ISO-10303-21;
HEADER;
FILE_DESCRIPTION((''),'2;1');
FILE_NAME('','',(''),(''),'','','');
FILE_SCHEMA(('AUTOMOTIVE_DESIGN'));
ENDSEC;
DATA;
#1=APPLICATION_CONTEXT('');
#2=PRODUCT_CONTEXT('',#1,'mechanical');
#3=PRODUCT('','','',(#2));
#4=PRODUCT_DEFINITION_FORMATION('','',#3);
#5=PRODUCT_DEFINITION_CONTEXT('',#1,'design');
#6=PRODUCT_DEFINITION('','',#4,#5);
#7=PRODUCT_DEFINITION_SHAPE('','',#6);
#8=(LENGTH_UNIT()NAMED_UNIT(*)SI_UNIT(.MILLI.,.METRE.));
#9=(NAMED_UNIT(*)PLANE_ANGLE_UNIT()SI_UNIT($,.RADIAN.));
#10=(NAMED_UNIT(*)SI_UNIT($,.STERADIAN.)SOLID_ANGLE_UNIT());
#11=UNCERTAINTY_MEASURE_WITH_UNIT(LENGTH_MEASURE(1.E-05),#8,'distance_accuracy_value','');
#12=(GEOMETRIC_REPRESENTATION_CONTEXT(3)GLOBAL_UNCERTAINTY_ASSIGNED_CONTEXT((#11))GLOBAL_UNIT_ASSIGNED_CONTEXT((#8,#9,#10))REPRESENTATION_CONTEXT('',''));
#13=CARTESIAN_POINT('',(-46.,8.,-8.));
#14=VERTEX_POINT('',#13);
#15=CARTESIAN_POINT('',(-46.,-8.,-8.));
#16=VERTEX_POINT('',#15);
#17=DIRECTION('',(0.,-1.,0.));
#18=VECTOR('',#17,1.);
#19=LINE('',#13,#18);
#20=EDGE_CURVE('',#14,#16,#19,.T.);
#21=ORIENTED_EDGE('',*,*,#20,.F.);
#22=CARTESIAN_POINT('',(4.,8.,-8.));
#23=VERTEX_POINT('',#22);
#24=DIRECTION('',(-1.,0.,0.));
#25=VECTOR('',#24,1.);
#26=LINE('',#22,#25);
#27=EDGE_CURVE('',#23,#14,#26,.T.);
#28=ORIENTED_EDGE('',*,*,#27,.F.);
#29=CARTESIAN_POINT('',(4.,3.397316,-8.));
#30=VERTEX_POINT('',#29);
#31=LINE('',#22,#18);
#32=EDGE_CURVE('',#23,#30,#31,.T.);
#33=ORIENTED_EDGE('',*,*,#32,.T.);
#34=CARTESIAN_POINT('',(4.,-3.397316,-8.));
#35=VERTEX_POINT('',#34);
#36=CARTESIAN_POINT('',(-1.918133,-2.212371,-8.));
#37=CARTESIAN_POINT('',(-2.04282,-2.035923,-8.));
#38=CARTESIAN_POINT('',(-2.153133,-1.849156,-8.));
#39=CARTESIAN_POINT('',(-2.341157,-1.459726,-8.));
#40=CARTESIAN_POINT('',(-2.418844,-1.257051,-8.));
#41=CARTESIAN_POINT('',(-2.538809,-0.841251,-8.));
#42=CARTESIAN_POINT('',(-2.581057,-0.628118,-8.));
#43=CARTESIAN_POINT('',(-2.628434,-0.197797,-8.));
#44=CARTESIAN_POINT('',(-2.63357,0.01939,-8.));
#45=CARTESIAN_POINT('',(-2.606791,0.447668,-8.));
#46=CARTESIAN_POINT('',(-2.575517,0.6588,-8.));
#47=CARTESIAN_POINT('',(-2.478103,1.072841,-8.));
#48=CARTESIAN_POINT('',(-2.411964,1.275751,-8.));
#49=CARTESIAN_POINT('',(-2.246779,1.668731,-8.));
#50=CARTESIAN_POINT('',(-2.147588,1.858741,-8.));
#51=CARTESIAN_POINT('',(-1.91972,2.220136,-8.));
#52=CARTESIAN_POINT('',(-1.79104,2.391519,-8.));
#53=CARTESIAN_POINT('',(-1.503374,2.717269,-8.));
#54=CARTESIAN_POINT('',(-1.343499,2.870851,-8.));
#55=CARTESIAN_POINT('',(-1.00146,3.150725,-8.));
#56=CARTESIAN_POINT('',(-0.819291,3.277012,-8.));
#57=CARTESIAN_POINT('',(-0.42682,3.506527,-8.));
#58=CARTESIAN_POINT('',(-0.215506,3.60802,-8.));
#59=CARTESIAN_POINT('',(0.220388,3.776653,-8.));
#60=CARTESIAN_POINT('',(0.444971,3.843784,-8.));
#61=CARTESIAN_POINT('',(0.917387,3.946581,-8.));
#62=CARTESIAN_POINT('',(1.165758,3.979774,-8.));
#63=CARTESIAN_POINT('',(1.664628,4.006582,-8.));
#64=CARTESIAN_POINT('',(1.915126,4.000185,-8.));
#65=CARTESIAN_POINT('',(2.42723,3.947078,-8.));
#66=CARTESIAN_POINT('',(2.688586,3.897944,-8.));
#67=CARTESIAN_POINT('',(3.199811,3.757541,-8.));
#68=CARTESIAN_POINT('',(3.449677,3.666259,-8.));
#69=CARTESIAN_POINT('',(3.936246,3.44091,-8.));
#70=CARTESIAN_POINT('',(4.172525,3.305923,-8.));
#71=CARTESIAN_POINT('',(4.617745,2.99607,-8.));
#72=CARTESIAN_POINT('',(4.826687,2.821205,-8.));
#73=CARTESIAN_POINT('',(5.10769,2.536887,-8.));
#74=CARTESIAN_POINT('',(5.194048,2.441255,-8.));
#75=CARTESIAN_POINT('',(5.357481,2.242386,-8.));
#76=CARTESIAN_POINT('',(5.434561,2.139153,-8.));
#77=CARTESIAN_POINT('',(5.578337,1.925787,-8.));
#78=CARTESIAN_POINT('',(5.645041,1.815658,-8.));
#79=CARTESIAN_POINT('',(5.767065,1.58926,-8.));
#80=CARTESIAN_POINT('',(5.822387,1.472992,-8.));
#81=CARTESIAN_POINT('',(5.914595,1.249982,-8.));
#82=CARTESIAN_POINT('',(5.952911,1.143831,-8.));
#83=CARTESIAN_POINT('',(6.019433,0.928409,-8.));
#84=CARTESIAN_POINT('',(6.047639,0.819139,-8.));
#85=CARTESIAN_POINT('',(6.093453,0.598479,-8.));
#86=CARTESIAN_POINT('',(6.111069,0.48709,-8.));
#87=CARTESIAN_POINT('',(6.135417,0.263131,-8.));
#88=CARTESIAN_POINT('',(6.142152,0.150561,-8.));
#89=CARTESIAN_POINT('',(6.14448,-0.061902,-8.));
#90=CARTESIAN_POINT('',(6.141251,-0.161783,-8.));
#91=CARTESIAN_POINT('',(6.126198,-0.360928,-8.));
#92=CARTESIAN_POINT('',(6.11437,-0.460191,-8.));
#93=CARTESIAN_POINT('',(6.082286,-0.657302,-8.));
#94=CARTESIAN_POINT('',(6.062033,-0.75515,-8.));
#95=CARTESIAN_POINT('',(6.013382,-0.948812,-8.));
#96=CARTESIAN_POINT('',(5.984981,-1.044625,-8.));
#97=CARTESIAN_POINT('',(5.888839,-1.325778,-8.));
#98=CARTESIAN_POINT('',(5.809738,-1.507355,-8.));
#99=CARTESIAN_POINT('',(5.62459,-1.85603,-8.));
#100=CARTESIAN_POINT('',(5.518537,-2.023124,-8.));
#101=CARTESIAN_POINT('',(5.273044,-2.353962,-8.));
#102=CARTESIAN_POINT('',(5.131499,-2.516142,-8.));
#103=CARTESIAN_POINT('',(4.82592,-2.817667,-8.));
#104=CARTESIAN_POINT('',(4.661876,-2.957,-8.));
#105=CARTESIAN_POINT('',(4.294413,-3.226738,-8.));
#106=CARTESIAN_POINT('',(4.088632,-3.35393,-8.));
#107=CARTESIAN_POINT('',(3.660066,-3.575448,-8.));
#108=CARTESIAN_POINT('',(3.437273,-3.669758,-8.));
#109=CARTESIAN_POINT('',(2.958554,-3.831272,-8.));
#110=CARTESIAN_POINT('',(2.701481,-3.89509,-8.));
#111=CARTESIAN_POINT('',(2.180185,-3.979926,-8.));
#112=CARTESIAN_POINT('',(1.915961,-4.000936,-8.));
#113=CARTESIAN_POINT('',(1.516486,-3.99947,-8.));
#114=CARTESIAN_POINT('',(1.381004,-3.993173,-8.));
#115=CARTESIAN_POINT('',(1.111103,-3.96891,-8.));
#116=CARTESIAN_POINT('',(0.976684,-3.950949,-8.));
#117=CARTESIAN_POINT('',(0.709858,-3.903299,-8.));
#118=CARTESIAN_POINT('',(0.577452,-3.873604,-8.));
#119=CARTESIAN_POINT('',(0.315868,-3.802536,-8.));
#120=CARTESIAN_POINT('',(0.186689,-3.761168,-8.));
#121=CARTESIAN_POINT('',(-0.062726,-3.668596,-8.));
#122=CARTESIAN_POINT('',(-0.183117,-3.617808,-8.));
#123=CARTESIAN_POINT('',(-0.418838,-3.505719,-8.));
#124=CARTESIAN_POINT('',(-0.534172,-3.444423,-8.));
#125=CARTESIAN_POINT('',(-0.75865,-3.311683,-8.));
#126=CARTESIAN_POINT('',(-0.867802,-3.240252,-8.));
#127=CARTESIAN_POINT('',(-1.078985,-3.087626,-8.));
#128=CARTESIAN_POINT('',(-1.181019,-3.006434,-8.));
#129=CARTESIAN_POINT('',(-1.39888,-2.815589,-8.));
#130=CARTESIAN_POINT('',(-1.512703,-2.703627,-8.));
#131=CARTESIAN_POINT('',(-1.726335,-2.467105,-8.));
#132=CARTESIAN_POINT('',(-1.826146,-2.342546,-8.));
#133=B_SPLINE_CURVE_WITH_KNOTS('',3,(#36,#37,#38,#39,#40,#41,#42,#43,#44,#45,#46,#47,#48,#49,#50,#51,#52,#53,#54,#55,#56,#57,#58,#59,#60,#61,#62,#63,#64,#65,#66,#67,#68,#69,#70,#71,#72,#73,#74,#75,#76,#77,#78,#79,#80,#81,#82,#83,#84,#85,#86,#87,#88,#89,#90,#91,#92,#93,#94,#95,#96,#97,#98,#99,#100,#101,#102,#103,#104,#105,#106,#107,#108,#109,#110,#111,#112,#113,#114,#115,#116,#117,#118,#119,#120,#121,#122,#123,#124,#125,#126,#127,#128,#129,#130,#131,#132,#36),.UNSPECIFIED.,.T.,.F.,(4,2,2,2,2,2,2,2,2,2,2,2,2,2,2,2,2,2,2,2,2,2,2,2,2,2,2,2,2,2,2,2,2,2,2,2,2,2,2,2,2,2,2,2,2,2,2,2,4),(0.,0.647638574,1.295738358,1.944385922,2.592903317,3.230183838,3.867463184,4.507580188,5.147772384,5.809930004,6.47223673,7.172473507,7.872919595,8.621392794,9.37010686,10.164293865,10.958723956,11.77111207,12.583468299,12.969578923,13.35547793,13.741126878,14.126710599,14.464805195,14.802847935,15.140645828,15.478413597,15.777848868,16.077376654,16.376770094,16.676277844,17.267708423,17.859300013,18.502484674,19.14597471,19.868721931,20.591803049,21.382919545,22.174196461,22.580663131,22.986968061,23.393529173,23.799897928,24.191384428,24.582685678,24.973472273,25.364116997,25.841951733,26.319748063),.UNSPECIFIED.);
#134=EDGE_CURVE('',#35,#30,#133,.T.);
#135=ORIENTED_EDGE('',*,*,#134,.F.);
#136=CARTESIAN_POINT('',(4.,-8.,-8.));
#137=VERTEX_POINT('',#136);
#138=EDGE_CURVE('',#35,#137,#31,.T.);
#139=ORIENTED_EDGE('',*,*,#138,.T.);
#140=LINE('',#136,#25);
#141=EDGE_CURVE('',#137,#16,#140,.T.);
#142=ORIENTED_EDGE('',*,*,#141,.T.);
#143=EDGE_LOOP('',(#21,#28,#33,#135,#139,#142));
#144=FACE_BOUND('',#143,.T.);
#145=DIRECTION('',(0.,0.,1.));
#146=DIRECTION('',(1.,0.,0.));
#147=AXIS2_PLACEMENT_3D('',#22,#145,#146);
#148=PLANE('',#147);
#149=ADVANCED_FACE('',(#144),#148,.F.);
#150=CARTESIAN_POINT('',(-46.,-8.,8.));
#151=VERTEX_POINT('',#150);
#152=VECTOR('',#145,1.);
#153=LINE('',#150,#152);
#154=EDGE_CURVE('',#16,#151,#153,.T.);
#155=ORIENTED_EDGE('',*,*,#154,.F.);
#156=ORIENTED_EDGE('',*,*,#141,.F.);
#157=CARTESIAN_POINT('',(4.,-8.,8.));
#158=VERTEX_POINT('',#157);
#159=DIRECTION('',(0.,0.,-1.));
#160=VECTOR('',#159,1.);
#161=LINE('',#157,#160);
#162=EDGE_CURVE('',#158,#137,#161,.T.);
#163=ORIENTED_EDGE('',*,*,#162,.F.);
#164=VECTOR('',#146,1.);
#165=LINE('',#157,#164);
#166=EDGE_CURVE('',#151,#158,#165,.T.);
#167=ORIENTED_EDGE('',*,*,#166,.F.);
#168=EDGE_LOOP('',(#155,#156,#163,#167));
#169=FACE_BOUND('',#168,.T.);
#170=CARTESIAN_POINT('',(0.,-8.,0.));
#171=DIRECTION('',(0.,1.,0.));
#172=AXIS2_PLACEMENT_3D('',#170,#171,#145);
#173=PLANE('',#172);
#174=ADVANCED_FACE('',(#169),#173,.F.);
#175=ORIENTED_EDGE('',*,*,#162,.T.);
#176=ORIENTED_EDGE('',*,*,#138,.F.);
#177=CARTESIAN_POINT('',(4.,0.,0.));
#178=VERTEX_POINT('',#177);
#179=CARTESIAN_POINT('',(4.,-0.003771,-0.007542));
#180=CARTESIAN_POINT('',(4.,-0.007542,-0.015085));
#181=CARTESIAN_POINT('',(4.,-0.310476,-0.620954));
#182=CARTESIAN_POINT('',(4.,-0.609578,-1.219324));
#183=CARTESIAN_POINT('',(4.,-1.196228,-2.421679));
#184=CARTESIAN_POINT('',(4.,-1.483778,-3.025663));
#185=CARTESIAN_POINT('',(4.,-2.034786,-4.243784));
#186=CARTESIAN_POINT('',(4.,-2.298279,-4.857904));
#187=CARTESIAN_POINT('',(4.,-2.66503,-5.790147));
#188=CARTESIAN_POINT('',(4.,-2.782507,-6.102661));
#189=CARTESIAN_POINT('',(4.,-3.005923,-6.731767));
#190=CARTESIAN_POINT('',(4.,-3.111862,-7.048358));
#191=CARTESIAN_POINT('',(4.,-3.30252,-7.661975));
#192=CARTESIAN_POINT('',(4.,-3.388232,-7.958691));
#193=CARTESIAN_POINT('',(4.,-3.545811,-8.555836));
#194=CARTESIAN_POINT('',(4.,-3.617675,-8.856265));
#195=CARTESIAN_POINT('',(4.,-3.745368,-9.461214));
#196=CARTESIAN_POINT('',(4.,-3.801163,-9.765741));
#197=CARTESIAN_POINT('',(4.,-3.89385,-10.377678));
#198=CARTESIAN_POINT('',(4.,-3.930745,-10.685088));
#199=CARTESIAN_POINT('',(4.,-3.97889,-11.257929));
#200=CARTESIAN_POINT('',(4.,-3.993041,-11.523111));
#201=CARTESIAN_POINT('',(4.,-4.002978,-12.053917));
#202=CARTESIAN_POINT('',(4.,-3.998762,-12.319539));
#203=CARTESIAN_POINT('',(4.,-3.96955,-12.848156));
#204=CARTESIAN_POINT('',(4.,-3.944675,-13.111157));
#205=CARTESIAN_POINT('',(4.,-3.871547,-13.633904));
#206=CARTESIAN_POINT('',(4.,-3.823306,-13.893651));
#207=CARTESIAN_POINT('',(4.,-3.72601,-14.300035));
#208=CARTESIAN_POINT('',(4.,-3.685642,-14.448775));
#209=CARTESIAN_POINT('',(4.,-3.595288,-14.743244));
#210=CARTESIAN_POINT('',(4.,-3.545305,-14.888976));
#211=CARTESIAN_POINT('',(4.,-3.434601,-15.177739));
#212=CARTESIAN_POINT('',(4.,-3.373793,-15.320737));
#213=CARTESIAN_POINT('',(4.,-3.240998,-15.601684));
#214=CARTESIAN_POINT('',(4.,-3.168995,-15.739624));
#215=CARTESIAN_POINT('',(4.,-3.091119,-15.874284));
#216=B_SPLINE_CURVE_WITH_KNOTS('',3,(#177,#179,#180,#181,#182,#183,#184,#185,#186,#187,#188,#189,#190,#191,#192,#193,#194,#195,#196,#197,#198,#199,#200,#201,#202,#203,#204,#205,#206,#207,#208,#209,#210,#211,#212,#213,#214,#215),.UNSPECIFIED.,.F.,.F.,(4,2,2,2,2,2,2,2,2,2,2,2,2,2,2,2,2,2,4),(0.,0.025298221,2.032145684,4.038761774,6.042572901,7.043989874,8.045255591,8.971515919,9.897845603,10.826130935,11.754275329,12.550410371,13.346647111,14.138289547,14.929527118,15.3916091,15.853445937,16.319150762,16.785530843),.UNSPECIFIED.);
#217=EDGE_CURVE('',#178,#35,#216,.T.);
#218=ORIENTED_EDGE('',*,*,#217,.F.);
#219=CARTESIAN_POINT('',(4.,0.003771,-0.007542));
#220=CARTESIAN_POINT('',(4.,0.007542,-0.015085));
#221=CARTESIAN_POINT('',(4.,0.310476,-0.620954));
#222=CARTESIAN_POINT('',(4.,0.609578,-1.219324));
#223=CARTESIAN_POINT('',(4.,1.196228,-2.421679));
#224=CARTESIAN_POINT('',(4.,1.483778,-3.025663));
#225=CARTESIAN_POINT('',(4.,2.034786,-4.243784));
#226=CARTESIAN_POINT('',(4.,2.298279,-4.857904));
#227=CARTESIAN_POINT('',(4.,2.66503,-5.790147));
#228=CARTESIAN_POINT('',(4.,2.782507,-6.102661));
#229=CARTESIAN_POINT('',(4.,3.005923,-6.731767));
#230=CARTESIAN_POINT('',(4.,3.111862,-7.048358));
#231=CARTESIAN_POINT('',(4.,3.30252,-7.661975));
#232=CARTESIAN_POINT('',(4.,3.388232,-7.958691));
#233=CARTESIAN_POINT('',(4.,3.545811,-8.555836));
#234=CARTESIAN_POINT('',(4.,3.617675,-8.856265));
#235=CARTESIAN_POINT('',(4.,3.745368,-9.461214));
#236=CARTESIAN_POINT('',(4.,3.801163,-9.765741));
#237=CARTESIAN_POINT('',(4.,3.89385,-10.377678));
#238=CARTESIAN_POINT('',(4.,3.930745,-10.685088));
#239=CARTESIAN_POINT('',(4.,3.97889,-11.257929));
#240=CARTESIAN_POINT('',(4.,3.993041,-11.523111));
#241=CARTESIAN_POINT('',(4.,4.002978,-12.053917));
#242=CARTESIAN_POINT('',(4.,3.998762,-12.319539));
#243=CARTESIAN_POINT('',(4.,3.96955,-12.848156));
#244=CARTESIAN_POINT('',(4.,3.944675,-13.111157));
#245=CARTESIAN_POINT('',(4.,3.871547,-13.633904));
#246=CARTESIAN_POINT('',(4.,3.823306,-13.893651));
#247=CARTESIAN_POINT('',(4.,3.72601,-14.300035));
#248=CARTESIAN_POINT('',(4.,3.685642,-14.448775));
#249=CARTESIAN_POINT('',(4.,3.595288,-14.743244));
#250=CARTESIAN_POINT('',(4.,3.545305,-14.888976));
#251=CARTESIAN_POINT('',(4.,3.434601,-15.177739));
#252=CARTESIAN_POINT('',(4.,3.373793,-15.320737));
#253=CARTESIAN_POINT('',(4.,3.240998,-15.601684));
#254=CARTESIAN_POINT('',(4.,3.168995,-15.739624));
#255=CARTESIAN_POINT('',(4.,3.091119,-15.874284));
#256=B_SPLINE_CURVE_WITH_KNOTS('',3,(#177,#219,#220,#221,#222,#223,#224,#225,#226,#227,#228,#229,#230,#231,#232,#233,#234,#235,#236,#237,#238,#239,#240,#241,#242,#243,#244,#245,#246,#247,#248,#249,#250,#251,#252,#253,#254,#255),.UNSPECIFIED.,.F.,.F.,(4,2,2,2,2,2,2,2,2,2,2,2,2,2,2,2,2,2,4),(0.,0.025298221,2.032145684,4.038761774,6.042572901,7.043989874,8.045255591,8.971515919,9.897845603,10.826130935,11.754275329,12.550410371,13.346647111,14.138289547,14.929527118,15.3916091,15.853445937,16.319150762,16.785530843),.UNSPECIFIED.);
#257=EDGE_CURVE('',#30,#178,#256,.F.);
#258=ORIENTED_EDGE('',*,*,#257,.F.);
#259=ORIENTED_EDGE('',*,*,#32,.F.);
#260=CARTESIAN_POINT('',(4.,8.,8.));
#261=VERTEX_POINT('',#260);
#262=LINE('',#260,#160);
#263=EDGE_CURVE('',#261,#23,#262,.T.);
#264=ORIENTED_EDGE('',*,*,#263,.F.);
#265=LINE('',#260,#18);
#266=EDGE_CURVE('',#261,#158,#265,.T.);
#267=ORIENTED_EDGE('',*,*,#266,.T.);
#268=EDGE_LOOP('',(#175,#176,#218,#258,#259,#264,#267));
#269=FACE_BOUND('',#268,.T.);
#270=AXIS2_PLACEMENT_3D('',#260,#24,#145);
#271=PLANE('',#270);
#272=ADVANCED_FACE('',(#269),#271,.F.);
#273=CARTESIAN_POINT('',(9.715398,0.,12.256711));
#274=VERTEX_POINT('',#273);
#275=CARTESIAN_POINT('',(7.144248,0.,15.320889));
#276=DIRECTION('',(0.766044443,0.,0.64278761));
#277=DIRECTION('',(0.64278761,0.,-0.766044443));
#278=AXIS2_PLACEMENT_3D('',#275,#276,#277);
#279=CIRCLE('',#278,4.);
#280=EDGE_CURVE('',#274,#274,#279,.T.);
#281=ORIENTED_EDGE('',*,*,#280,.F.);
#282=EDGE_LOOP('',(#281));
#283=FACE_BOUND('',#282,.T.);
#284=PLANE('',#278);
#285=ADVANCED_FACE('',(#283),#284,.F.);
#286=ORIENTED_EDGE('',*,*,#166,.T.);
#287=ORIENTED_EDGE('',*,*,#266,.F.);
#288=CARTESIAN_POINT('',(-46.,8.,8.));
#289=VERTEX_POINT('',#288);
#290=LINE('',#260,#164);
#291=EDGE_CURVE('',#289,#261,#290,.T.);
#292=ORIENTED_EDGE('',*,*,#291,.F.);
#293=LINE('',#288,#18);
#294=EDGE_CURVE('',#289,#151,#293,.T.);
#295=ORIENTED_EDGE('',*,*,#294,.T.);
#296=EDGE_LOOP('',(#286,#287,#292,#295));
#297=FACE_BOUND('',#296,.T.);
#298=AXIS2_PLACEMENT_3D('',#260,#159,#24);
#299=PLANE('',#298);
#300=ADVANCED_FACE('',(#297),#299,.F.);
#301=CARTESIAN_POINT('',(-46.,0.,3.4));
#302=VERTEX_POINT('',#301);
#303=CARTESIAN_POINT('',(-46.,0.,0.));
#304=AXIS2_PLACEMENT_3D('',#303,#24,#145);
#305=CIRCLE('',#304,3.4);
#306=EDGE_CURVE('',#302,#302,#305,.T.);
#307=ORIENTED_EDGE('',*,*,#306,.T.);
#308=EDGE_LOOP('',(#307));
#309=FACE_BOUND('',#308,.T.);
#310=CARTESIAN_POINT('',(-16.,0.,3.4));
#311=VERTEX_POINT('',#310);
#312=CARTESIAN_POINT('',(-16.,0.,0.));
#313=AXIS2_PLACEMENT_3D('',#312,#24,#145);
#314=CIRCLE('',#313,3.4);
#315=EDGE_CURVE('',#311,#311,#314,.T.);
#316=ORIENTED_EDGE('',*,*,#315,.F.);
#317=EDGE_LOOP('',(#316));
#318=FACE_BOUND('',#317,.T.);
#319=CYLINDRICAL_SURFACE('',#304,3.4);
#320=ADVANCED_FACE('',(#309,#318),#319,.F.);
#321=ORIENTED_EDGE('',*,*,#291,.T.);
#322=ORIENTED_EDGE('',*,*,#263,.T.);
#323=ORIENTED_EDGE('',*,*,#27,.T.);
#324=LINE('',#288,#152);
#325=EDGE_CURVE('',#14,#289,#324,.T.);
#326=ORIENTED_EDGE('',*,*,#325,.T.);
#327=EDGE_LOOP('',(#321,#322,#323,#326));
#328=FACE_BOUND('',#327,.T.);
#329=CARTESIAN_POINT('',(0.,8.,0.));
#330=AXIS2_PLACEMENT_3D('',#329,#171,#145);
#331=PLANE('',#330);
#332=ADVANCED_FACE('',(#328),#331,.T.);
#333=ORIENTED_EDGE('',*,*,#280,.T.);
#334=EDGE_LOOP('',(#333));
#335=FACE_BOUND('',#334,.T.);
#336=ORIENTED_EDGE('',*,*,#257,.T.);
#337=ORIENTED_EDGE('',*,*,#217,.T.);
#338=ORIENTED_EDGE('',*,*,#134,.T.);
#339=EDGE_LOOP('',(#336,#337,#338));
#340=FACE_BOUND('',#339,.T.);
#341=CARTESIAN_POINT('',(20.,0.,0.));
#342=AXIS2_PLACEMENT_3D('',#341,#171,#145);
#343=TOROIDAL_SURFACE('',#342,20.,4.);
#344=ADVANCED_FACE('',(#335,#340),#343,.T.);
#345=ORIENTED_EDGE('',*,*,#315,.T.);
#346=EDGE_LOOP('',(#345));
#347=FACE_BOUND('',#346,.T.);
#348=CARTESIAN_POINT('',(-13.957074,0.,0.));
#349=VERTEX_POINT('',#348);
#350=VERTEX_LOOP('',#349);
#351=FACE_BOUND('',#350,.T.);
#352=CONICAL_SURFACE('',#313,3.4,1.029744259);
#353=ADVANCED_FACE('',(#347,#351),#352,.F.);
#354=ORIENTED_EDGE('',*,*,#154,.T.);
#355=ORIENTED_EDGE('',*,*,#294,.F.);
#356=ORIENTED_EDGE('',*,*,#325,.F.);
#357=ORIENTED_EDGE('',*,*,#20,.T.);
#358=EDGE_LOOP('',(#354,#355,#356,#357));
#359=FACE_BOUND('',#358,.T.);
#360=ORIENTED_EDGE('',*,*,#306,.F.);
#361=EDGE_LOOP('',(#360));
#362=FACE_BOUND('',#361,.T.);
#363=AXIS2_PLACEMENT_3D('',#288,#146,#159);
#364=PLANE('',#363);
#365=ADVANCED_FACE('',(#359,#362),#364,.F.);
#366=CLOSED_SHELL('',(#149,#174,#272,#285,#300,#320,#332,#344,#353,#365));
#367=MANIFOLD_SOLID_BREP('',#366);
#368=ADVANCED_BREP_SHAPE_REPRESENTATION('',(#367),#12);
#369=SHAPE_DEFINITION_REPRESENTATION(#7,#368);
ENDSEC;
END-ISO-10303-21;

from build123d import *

# Parameters (mm, degrees)
SKETCH2_R             = 4
SKETCH3_W             = 50
SKETCH3_H             = 16
BOSS_EXTRUDE1_DEPTH   = 8
M8_TAPPED_HOLE1_D     = 6.8
M8_TAPPED_HOLE1_DEPTH = 30
M8_TAPPED_HOLE1_TIP   = 2.042926105


with BuildPart() as part:
    # Sweep1: sweep along a path in Sketch1
    with BuildLine(Plane(origin=(0, 0, 0), x_dir=(1, 0, 0), z_dir=(0, 1, 0))) as sweep1_path:
        ThreePointArc((7.144247806, -15.320888862), (38.126155741, 8.452365235), (0, 0))
    # Sketch2 → Sweep1 (sweep)
    with BuildSketch(Plane.XY):
        Circle(SKETCH2_R)
    sweep(path=sweep1_path.line)

    # Sketch3 → Boss-Extrude1 (add, symmetric)
    with BuildSketch(Plane(origin=(0, 0, 0), x_dir=(1, 0, 0), z_dir=(0, 1, 0))):
        with Locations((-21, 0)):
            Rectangle(SKETCH3_W, SKETCH3_H)
    extrude(amount=BOSS_EXTRUDE1_DEPTH, both=True)

    # M8 Tapped Hole1
    with Locations(Plane.ZY.offset(46)):
        with Locations((0, 0)):
            Hole(M8_TAPPED_HOLE1_D / 2, depth=M8_TAPPED_HOLE1_DEPTH)
            with Locations((0, 0, -(M8_TAPPED_HOLE1_DEPTH + M8_TAPPED_HOLE1_TIP / 2))):  # 118° drill point
                Cone(0, M8_TAPPED_HOLE1_D / 2, M8_TAPPED_HOLE1_TIP, mode=Mode.SUBTRACT)


solid = part.part
